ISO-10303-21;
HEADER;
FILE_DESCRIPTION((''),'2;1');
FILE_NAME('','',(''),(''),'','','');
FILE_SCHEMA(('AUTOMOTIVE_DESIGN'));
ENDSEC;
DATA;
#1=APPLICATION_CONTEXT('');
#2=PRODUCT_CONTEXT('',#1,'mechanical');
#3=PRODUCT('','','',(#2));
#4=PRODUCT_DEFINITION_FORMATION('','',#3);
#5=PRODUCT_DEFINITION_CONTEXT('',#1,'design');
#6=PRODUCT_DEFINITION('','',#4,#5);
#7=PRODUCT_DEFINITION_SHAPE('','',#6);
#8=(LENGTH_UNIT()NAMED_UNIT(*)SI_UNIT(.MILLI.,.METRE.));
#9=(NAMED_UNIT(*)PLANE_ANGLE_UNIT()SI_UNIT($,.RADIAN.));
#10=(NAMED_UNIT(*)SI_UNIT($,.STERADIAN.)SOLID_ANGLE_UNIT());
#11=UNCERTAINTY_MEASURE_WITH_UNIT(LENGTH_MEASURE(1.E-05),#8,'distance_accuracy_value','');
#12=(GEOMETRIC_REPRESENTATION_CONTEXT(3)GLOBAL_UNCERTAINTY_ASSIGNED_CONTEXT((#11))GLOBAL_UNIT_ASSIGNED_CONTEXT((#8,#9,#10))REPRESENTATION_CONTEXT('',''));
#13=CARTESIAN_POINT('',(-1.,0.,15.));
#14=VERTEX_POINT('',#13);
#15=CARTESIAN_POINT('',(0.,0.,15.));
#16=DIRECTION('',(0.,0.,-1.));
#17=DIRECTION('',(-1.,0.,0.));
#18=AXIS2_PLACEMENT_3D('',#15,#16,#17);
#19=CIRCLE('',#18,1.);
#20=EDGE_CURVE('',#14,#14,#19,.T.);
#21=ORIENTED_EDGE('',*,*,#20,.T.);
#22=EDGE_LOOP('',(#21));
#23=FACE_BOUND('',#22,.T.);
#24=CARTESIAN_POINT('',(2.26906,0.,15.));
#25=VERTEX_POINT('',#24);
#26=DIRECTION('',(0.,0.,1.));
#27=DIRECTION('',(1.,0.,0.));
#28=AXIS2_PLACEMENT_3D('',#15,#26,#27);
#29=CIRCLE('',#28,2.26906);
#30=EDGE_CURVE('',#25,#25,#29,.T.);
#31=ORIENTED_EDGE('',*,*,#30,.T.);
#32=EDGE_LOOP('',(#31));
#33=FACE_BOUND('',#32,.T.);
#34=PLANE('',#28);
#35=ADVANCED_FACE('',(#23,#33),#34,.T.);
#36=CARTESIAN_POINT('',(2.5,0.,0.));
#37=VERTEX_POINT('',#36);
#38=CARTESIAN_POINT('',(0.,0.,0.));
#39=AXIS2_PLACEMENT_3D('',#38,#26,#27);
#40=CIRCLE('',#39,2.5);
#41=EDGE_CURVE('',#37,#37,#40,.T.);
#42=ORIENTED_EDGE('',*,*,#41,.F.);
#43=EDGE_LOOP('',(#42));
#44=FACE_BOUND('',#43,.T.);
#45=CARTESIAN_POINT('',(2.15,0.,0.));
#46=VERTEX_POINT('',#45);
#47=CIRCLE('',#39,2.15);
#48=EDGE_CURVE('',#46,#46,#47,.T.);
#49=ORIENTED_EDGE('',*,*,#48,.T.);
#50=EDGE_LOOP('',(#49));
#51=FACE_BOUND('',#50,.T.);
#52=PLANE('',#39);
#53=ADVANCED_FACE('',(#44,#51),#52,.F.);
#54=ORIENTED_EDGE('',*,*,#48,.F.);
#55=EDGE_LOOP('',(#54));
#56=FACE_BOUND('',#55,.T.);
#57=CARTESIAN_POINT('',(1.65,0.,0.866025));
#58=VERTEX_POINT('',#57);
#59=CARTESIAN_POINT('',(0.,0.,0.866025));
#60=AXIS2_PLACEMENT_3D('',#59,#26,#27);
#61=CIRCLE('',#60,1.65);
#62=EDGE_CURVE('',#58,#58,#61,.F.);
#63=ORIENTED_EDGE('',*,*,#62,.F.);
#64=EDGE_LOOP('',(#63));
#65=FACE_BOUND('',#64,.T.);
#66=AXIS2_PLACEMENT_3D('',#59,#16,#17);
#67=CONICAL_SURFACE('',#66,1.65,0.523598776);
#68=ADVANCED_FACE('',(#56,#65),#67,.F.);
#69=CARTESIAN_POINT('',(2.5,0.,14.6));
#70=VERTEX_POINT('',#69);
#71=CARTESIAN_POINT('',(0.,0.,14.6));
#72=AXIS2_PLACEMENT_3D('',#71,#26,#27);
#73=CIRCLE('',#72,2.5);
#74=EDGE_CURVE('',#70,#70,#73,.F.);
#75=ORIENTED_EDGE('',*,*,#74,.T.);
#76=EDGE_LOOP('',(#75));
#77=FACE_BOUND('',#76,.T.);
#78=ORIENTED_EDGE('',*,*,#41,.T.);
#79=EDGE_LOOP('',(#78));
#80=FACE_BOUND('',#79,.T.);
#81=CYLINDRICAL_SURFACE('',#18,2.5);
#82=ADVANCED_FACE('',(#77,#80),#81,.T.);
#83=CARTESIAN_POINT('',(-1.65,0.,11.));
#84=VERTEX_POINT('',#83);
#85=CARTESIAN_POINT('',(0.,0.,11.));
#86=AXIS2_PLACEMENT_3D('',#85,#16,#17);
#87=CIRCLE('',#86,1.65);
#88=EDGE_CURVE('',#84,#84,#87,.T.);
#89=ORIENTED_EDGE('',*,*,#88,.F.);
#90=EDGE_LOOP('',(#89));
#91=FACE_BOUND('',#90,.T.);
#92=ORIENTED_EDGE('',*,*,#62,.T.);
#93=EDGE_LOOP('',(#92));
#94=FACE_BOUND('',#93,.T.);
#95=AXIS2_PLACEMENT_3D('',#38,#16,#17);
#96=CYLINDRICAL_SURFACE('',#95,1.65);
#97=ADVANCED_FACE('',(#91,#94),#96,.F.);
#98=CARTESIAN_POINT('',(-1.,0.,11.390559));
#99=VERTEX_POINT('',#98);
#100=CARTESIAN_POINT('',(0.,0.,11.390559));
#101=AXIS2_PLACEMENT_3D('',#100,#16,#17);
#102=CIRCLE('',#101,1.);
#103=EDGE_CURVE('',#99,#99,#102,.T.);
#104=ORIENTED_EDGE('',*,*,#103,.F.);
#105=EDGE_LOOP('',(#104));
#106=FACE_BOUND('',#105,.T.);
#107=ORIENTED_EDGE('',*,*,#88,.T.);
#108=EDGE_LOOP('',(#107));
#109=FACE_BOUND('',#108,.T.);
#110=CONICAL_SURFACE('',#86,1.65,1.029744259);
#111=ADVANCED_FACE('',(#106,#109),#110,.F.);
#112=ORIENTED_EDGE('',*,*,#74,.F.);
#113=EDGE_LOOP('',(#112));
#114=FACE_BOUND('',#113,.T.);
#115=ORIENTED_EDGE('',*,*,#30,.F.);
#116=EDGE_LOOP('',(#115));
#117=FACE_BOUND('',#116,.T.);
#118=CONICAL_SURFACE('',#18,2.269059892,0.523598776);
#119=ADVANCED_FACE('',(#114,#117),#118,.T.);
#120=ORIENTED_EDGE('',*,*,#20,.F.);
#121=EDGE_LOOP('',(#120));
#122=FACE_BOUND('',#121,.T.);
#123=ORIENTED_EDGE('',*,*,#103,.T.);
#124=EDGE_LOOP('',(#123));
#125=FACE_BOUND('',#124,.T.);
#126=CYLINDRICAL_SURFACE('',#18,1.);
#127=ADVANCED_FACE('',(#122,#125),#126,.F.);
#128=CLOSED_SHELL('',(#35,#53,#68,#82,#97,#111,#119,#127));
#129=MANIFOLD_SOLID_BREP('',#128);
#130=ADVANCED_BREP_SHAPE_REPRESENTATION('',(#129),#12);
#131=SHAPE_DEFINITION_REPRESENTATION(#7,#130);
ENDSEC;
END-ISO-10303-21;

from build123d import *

# Parameters (mm, degrees)
SKETCH1_R                       = 2.5
BOSS_EXTRUDE1_DEPTH             = 15
SKETCH2_R                       = 1
CUT_EXTRUDE1_DEPTH              = 16.411035007
TAP_DRILL_FOR_M4X0_7_TAP1_D     = 3.3
TAP_DRILL_FOR_M4X0_7_TAP1_DEPTH = 11
TAP_DRILL_FOR_M4X0_7_TAP1_TIP   = 0.991420021
CHAMFER1_SIZE                   = 0.4
CHAMFER1_SIZE2                  = 0.230940108
CHAMFER2_SIZE                   = 0.5
CHAMFER2_SIZE2                  = 0.866025404


with BuildPart() as part:
    # Sketch1 → Boss-Extrude1 (new body)
    with BuildSketch(Plane.XY):
        Circle(SKETCH1_R)
    extrude(amount=BOSS_EXTRUDE1_DEPTH)

    # Sketch2 → Cut-Extrude1 (cut, through all)
    with BuildSketch(Plane(origin=(0, 0, 0), x_dir=(-1, 0, 0), z_dir=(0, 0, -1))):
        Circle(SKETCH2_R)
    extrude(amount=-CUT_EXTRUDE1_DEPTH, mode=Mode.SUBTRACT)

    # Tap Drill for M4x0.7 Tap1
    with Locations(Plane(origin=(0, 0, 0), x_dir=(-1, 0, 0), z_dir=(0, 0, -1))):
        with Locations((0, 0)):
            Hole(TAP_DRILL_FOR_M4X0_7_TAP1_D / 2, depth=TAP_DRILL_FOR_M4X0_7_TAP1_DEPTH)
            with Locations((0, 0, -(TAP_DRILL_FOR_M4X0_7_TAP1_DEPTH + TAP_DRILL_FOR_M4X0_7_TAP1_TIP / 2))):  # 118° drill point
                Cone(0, TAP_DRILL_FOR_M4X0_7_TAP1_D / 2, TAP_DRILL_FOR_M4X0_7_TAP1_TIP, mode=Mode.SUBTRACT)

    # Chamfer1
    chamfer1_edges = [part.edges().sort_by_distance(p)[0] for p in [
        (-2.5, 0, 15),
    ]]
    chamfer1_side = [part.faces().sort_by_distance(p)[0] for p in [
        (-2.5, 0, 7.5),
    ]]
    chamfer(chamfer1_edges, length=CHAMFER1_SIZE, length2=CHAMFER1_SIZE2, reference=chamfer1_side[0])

    # Chamfer2
    chamfer2_edges = [part.edges().sort_by_distance(p)[0] for p in [
        (-1.65, 0, 0),
    ]]
    chamfer2_side = [part.faces().sort_by_distance(p)[0] for p in [
        (-2.429289322, 0, 0),
    ]]
    chamfer(chamfer2_edges, length=CHAMFER2_SIZE, length2=CHAMFER2_SIZE2, reference=chamfer2_side[0])


solid = part.part
